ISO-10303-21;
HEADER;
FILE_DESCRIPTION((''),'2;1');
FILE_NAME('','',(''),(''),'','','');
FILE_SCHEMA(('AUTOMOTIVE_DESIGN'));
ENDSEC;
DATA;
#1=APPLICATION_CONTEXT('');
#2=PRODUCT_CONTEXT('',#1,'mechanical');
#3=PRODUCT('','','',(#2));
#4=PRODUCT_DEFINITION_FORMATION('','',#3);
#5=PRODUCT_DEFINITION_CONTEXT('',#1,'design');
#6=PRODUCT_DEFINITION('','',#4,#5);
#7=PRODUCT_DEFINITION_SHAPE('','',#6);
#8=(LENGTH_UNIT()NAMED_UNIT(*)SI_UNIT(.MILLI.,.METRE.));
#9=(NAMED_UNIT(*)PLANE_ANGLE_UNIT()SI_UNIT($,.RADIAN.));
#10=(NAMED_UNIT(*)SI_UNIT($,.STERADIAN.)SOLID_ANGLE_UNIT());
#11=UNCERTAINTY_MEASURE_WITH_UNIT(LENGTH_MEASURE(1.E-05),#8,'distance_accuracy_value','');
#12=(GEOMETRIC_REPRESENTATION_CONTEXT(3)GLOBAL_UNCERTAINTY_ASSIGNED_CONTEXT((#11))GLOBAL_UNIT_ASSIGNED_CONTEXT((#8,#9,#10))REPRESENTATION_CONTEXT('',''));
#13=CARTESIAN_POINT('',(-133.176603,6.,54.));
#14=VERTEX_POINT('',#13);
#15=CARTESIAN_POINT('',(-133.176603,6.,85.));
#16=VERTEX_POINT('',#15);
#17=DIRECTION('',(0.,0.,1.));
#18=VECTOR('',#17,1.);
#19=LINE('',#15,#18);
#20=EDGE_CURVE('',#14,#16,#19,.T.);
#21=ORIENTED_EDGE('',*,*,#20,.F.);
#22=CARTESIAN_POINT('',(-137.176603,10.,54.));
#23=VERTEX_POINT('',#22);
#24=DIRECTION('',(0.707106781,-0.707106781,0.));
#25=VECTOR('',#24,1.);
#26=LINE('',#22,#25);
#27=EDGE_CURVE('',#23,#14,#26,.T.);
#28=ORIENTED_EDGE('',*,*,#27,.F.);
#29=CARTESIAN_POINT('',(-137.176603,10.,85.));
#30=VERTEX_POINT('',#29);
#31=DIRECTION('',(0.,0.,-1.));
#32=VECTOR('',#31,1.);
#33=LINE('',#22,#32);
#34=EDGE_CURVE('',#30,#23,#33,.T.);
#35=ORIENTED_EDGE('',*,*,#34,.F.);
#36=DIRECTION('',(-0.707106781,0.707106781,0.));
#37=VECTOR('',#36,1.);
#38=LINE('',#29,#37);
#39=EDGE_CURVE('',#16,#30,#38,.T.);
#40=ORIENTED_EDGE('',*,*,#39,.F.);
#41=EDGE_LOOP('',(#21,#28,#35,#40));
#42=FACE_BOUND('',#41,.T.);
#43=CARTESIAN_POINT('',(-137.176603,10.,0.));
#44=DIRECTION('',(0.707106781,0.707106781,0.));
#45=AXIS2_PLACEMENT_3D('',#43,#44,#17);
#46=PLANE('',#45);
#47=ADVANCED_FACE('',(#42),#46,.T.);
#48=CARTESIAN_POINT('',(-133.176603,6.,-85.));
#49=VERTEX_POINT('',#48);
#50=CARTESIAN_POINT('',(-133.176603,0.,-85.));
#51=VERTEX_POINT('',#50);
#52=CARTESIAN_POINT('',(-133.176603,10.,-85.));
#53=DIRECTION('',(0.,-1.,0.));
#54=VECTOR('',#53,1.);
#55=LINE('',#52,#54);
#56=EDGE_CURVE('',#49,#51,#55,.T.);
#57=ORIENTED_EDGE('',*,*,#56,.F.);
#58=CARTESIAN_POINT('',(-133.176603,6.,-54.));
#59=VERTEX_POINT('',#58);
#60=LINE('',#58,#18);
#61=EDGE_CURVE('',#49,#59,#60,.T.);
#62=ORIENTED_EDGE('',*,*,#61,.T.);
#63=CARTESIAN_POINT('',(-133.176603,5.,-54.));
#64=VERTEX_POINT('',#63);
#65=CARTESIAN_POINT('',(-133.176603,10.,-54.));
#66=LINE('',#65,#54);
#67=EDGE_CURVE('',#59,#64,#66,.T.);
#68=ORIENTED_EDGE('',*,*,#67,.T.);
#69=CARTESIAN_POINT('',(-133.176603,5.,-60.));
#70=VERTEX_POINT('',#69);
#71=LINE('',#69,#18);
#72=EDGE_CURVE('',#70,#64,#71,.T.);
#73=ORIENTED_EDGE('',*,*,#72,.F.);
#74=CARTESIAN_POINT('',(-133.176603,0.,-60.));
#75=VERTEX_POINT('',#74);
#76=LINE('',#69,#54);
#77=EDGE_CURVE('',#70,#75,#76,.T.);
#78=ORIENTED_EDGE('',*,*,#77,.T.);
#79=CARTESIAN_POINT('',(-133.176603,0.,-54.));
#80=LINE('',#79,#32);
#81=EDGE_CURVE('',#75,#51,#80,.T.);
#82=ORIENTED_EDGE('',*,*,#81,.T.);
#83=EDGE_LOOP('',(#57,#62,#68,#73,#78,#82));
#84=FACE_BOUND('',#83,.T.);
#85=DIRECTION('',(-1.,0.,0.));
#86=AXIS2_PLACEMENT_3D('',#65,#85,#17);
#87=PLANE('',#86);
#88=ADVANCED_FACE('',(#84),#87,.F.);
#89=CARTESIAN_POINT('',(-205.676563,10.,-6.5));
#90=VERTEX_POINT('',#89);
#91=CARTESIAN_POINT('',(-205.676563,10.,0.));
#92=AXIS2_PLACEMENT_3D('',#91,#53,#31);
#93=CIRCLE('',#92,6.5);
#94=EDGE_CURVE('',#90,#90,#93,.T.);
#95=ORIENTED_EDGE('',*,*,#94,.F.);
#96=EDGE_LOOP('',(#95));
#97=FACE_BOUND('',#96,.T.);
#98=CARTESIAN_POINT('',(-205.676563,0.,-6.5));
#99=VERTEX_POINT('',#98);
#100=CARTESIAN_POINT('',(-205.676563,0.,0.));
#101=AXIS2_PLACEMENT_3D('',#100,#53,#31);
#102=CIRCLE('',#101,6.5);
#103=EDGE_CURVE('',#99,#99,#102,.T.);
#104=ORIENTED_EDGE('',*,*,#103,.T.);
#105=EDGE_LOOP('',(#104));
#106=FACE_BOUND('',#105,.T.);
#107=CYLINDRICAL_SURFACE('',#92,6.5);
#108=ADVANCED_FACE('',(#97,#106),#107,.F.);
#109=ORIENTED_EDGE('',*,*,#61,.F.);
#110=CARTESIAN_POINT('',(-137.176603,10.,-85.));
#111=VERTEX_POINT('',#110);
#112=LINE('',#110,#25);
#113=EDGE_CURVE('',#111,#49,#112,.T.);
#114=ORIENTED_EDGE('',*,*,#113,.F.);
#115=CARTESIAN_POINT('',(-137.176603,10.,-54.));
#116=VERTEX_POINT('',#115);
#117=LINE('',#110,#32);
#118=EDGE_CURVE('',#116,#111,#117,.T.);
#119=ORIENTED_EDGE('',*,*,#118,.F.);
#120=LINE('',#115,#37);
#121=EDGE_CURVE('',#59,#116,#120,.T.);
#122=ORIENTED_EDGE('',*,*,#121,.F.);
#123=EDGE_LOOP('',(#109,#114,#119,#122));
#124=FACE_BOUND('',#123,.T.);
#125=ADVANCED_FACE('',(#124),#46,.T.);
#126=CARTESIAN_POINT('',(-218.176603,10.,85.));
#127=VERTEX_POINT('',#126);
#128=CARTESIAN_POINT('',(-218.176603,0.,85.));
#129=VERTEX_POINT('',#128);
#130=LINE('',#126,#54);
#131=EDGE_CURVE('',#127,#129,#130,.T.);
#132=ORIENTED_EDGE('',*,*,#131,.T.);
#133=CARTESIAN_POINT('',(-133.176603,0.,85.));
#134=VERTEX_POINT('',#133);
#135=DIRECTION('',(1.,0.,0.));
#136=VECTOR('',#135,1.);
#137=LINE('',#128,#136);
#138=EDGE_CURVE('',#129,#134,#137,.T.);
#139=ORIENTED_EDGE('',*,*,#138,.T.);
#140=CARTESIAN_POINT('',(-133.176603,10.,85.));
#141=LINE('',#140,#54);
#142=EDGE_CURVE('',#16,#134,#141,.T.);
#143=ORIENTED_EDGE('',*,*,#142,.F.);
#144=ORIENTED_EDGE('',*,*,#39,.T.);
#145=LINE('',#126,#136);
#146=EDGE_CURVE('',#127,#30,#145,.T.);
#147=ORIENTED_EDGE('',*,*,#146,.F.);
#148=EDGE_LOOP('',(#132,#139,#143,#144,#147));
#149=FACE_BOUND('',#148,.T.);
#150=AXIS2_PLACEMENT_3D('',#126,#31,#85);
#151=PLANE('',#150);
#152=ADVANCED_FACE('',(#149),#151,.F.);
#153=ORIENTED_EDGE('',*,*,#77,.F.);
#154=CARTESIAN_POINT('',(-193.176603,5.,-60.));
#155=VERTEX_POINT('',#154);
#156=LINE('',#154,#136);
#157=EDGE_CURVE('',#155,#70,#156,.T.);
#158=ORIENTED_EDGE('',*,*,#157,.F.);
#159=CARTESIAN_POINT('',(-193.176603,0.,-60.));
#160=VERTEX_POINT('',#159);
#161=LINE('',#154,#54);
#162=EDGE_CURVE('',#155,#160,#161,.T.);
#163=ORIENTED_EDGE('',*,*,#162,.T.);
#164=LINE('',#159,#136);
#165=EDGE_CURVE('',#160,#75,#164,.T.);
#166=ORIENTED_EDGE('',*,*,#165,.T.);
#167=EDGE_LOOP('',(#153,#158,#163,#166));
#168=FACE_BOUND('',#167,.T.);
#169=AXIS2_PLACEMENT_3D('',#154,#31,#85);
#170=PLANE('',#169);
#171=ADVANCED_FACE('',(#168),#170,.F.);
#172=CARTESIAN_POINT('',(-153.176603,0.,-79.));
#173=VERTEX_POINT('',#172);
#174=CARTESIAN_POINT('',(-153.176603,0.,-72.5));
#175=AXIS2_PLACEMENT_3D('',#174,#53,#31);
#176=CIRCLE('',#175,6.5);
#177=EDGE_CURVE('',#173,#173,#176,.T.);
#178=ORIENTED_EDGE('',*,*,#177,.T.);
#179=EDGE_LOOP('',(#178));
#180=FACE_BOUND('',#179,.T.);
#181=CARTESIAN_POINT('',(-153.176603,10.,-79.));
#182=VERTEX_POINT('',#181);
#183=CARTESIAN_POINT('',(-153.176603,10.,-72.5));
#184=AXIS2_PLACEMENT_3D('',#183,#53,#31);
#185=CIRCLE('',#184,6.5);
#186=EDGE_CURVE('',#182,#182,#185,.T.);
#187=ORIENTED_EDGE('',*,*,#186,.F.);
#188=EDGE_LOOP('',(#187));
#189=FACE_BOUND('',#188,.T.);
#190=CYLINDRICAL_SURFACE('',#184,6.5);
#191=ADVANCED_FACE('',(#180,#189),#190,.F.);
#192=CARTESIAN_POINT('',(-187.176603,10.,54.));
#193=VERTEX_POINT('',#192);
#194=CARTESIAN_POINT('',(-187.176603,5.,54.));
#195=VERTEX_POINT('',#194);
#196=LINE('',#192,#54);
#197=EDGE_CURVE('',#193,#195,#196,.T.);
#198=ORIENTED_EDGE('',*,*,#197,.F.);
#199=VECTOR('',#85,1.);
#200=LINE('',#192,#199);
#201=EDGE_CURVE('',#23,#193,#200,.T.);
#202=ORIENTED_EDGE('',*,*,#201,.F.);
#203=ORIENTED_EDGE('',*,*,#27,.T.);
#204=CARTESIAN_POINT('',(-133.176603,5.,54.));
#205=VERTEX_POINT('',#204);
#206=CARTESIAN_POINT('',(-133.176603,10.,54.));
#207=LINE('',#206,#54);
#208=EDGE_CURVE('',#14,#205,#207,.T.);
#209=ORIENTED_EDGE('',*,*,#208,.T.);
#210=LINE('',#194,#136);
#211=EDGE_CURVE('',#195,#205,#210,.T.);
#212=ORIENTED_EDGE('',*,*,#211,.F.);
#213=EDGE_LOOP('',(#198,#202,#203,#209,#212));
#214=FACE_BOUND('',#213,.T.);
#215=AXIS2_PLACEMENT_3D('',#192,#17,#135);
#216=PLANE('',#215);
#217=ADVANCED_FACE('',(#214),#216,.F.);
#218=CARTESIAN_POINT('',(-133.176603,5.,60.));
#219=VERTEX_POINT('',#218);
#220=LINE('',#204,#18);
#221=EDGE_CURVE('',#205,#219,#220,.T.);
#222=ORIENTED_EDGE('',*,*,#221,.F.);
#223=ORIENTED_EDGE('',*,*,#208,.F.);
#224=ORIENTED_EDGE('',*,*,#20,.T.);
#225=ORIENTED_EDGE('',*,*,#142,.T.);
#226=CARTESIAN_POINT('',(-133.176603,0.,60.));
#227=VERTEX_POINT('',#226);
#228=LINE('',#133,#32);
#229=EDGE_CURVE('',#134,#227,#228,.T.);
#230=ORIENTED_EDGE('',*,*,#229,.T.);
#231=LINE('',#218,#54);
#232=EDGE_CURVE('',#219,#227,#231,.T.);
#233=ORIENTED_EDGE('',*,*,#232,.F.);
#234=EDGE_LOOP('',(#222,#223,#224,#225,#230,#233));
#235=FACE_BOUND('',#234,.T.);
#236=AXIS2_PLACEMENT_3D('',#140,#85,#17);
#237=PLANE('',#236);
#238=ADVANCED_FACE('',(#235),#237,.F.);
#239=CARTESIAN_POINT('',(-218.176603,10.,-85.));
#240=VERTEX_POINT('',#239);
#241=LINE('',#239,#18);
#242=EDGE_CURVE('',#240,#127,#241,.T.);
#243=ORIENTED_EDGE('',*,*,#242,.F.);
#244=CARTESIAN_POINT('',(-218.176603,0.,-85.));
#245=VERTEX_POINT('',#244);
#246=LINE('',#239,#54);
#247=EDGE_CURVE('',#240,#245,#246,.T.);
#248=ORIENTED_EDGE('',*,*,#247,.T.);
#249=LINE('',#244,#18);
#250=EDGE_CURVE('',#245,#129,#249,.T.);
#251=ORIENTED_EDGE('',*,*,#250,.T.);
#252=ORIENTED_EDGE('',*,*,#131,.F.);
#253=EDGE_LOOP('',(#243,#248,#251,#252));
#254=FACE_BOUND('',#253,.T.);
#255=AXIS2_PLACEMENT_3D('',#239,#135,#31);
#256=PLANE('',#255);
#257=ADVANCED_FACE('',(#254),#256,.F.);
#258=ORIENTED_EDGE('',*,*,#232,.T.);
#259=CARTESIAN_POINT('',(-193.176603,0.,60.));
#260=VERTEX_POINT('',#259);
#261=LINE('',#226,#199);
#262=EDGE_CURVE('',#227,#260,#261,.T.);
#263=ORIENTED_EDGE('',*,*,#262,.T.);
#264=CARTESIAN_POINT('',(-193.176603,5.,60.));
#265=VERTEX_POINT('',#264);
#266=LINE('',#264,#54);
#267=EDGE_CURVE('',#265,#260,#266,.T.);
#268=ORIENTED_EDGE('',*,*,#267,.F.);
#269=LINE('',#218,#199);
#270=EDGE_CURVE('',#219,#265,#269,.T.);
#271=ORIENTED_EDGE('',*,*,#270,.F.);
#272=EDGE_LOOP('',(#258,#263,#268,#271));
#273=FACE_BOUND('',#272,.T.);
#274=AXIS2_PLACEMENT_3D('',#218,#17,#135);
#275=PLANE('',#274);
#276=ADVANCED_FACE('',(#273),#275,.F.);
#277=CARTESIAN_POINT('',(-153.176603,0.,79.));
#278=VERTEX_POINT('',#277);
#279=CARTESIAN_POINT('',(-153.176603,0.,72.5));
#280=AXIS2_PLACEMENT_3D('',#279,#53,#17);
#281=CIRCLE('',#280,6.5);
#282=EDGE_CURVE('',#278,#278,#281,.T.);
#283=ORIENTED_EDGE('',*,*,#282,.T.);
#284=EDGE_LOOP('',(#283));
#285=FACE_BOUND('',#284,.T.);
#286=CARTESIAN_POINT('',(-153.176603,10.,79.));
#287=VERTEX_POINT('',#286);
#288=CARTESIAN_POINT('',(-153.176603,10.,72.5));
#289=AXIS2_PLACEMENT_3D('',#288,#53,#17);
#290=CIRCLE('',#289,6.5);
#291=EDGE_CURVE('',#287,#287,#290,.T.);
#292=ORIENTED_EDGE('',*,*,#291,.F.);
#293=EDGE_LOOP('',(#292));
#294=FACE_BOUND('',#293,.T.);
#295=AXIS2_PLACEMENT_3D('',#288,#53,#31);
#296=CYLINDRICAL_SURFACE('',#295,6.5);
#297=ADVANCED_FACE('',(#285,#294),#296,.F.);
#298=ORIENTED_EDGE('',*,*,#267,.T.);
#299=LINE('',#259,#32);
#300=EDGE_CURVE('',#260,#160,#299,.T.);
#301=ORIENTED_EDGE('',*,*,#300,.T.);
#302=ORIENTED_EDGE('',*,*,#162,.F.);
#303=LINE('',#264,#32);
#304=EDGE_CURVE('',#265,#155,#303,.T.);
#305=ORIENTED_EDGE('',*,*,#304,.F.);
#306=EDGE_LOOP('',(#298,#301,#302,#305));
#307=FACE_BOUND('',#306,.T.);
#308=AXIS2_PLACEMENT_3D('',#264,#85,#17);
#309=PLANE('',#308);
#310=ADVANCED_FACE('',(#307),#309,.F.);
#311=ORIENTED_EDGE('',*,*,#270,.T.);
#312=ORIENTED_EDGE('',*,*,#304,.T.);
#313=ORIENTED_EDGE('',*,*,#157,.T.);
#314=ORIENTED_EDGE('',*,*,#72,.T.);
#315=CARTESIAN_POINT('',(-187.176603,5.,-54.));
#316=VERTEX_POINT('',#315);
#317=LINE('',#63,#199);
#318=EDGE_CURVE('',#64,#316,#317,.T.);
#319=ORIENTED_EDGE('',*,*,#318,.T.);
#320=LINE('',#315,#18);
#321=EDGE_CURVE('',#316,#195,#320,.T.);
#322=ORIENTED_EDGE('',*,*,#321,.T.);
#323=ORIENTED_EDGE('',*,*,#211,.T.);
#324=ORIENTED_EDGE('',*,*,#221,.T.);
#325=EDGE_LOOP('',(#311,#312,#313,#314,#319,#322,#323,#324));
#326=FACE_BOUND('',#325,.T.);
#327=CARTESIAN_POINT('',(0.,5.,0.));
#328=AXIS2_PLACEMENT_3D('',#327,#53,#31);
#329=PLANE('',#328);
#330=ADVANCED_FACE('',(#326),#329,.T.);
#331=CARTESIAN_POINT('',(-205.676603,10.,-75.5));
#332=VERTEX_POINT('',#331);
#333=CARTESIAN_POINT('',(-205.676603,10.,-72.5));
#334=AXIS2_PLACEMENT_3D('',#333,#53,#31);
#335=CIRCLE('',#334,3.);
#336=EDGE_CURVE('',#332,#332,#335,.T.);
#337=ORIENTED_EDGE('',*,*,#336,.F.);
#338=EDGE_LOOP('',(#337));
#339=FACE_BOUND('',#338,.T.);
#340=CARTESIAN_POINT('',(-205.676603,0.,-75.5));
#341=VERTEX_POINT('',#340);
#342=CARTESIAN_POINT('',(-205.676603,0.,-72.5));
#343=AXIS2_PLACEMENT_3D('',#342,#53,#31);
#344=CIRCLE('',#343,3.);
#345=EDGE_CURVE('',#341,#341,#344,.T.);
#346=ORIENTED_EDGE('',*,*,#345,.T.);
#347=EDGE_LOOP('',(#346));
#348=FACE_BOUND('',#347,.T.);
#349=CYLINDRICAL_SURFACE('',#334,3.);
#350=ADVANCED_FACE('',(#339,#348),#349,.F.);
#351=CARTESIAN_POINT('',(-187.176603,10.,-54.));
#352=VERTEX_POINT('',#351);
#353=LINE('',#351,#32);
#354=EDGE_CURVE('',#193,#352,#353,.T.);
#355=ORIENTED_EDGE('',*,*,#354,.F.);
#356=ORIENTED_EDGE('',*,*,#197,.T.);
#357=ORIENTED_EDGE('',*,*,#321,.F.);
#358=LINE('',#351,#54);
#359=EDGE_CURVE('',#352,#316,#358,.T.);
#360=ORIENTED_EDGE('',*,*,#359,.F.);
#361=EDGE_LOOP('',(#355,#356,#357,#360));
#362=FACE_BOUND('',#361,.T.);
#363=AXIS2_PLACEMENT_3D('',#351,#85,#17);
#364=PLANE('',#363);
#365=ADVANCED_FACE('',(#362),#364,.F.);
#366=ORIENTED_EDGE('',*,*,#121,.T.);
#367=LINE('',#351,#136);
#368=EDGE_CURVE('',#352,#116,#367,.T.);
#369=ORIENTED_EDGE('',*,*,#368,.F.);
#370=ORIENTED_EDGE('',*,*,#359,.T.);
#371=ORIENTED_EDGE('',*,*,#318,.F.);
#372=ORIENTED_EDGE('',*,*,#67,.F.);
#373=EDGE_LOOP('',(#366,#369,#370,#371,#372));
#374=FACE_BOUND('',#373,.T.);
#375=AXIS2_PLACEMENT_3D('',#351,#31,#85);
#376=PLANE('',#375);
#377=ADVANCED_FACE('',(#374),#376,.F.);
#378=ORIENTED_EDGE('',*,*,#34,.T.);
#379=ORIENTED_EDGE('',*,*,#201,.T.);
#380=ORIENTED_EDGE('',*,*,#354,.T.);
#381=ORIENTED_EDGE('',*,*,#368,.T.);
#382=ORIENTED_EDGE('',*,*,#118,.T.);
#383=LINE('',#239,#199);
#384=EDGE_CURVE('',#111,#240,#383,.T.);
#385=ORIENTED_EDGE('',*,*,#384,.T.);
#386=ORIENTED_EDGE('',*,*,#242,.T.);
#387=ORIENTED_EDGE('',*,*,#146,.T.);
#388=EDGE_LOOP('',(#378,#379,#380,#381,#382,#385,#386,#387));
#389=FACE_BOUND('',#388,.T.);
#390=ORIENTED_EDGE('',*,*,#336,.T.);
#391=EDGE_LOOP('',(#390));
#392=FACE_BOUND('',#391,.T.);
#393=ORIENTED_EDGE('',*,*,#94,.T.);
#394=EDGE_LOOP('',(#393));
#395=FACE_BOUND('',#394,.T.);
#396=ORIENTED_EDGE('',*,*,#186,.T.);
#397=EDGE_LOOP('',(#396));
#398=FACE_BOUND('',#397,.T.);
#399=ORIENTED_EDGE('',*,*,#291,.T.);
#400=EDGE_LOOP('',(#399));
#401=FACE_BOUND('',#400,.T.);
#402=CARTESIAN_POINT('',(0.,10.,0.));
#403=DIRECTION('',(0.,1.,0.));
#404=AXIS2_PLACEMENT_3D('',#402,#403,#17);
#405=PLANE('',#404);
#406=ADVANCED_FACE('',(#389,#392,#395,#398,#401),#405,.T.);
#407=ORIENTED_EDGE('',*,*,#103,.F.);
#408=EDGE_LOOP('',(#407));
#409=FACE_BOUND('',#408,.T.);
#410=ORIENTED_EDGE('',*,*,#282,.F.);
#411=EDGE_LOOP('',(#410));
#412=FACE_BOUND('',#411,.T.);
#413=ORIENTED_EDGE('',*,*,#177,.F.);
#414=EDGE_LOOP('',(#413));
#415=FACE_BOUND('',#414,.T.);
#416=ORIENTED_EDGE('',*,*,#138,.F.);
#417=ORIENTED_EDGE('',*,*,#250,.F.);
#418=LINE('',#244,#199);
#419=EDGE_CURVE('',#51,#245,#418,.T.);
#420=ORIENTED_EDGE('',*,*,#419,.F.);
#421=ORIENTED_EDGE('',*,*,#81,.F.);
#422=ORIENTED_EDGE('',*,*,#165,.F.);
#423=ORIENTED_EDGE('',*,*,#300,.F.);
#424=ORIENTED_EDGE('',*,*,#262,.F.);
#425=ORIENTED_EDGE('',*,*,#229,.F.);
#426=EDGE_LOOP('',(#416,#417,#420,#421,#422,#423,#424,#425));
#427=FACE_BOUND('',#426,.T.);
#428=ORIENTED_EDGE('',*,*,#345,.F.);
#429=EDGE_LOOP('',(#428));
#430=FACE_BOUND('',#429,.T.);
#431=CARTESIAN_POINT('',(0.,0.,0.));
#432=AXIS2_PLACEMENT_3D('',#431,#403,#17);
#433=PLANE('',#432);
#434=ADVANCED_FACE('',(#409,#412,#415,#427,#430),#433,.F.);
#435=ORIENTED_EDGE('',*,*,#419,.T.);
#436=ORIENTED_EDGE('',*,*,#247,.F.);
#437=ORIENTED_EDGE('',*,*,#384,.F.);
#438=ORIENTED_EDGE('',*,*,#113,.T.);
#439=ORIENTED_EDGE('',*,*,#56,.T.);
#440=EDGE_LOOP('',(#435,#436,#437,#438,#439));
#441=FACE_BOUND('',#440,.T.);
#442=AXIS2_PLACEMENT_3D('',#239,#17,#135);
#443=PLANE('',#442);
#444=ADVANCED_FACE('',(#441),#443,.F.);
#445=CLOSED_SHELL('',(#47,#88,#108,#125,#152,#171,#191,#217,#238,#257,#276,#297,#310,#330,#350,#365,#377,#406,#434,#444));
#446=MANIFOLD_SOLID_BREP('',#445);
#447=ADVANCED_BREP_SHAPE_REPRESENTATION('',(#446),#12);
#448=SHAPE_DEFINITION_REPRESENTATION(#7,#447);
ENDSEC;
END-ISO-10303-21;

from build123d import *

# Parameters (mm, degrees)
BOSS_EXTRUDE1_DEPTH = 10
CUT_EXTRUDE1_DEPTH  = 5
CHAMFER1_SIZE       = 4
SKETCH3_R           = 6.5
CUT_EXTRUDE2_DEPTH  = 11
SKETCH7_R           = 3
CUT_EXTRUDE3_DEPTH  = 11


with BuildPart() as part:
    # Sketch1 → Boss-Extrude1 (new body)
    with BuildSketch(Plane(origin=(0, 0, 0), x_dir=(1, 0, 0), z_dir=(0, 1, 0))):
        Polygon((-133.17660268, -85), (-133.17660268, -54), (-187.17660268, -54), (-187.17660268, 54), (-133.17660268, 54), (-133.17660268, 85), (-218.17660268, 85), (-218.17660268, -85), align=None)
    extrude(amount=BOSS_EXTRUDE1_DEPTH)

    # Sketch2 → Cut-Extrude1 (cut)
    with BuildSketch(Plane.XZ):
        Polygon((-133.17660268, 60), (-193.17660268, 60), (-193.17660268, -60), (-133.17660268, -60), (-133.17660268, -54), (-187.17660268, -54), (-187.17660268, 54), (-133.17660268, 54), align=None)
    extrude(amount=-CUT_EXTRUDE1_DEPTH, mode=Mode.SUBTRACT)

    # Chamfer1
    chamfer1_edges = [part.edges().sort_by_distance(p)[0] for p in [
        (-133.17660268, 10, 69.5),
        (-133.17660268, 10, -69.5),
    ]]
    chamfer(chamfer1_edges, length=CHAMFER1_SIZE)

    # Sketch3 → Cut-Extrude2 (cut, through all)
    with BuildSketch(Plane.XZ):
        with Locations((-153.17660268, -72.5)):
            Circle(SKETCH3_R)
        with Locations((-153.17660268, 72.5)):
            Circle(SKETCH3_R)
        with Locations((-205.676562711, 0)):
            Circle(SKETCH3_R)
    extrude(amount=-CUT_EXTRUDE2_DEPTH, mode=Mode.SUBTRACT)

    # Sketch7 → Cut-Extrude3 (cut, through all)
    with BuildSketch(Plane.XZ):
        with Locations((-205.67660268, -72.5)):
            Circle(SKETCH7_R)
    extrude(amount=-CUT_EXTRUDE3_DEPTH, mode=Mode.SUBTRACT)


solid = part.part
